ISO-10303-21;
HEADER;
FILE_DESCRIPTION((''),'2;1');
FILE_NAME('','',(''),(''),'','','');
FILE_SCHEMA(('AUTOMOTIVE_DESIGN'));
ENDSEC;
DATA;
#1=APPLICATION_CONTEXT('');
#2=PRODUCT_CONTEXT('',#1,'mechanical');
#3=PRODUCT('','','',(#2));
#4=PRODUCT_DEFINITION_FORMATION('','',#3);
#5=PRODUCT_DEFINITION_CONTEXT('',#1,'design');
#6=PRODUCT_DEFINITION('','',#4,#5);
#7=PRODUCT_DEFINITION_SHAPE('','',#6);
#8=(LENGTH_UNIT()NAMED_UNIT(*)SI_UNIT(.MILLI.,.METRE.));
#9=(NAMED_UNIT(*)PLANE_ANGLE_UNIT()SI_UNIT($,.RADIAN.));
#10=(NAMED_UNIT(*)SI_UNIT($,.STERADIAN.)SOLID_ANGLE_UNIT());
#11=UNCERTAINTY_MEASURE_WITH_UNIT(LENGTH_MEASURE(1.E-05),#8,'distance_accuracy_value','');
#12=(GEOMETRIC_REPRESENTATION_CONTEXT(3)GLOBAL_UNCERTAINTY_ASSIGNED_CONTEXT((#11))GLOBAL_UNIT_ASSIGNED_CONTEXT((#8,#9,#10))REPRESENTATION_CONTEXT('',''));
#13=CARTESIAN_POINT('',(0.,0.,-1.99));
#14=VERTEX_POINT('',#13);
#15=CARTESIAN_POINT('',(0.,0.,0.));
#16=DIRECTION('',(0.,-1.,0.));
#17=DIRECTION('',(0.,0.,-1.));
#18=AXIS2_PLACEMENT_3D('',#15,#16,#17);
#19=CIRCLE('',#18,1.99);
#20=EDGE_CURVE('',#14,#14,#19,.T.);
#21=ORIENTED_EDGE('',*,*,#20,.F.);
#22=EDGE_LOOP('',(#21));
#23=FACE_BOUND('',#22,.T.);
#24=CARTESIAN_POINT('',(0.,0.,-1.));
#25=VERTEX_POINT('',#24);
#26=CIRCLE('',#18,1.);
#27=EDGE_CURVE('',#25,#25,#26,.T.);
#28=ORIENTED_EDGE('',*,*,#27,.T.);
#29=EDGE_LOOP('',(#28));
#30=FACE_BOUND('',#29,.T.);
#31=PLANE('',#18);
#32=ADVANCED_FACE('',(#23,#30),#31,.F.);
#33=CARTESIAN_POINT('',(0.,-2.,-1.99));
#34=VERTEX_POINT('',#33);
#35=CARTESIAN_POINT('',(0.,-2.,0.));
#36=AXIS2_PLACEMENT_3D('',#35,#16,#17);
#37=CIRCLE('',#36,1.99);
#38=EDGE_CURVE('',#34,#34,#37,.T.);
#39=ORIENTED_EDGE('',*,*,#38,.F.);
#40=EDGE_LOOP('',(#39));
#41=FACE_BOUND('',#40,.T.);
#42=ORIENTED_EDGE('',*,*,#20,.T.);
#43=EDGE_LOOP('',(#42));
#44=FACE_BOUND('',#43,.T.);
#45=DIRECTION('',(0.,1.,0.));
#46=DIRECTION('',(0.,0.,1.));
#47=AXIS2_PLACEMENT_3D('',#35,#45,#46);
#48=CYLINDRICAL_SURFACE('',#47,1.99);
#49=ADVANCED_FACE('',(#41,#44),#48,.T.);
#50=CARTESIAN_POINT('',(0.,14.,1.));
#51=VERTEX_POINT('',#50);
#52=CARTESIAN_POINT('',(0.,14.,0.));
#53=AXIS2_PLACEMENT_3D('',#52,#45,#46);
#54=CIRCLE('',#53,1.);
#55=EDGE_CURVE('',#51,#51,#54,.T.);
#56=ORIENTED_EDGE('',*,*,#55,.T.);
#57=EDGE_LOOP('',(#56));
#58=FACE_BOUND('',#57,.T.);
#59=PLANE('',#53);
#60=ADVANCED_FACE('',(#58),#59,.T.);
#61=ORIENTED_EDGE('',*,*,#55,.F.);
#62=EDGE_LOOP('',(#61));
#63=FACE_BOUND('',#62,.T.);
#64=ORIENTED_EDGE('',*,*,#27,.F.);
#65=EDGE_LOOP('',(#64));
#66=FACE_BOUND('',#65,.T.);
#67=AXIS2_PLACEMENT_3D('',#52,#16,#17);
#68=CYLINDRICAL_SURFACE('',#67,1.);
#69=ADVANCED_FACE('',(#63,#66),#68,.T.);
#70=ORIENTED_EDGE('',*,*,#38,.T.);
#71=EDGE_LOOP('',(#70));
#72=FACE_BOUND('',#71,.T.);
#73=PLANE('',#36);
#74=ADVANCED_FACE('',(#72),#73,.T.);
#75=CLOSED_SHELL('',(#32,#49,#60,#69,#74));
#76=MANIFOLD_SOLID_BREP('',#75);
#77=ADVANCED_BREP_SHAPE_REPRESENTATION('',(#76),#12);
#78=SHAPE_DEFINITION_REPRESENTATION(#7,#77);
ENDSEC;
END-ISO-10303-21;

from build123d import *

# Parameters (mm, degrees)
SKETCH_1_R      = 1
EXTRUDE_1_DEPTH = 14
SKETCH_2_R      = 1.99
EXTRUDE_2_DEPTH = 2


with BuildPart() as part:
    # 草图1 → 凸台-拉伸1 (new body)
    with BuildSketch(Plane(origin=(0, 0, 0), x_dir=(1, 0, 0), z_dir=(0, 1, 0))):
        with Locations(Location((0, 0, 0), (0, 0, 270))):
            Circle(SKETCH_1_R)
    extrude(amount=EXTRUDE_1_DEPTH)

    # 草图2 → 凸台-拉伸2 (add)
    with BuildSketch(Plane.XZ):
        with Locations(Location((0, 0, 0), (0, 0, 270))):
            Circle(SKETCH_2_R)
    extrude(amount=EXTRUDE_2_DEPTH)


solid = part.part
